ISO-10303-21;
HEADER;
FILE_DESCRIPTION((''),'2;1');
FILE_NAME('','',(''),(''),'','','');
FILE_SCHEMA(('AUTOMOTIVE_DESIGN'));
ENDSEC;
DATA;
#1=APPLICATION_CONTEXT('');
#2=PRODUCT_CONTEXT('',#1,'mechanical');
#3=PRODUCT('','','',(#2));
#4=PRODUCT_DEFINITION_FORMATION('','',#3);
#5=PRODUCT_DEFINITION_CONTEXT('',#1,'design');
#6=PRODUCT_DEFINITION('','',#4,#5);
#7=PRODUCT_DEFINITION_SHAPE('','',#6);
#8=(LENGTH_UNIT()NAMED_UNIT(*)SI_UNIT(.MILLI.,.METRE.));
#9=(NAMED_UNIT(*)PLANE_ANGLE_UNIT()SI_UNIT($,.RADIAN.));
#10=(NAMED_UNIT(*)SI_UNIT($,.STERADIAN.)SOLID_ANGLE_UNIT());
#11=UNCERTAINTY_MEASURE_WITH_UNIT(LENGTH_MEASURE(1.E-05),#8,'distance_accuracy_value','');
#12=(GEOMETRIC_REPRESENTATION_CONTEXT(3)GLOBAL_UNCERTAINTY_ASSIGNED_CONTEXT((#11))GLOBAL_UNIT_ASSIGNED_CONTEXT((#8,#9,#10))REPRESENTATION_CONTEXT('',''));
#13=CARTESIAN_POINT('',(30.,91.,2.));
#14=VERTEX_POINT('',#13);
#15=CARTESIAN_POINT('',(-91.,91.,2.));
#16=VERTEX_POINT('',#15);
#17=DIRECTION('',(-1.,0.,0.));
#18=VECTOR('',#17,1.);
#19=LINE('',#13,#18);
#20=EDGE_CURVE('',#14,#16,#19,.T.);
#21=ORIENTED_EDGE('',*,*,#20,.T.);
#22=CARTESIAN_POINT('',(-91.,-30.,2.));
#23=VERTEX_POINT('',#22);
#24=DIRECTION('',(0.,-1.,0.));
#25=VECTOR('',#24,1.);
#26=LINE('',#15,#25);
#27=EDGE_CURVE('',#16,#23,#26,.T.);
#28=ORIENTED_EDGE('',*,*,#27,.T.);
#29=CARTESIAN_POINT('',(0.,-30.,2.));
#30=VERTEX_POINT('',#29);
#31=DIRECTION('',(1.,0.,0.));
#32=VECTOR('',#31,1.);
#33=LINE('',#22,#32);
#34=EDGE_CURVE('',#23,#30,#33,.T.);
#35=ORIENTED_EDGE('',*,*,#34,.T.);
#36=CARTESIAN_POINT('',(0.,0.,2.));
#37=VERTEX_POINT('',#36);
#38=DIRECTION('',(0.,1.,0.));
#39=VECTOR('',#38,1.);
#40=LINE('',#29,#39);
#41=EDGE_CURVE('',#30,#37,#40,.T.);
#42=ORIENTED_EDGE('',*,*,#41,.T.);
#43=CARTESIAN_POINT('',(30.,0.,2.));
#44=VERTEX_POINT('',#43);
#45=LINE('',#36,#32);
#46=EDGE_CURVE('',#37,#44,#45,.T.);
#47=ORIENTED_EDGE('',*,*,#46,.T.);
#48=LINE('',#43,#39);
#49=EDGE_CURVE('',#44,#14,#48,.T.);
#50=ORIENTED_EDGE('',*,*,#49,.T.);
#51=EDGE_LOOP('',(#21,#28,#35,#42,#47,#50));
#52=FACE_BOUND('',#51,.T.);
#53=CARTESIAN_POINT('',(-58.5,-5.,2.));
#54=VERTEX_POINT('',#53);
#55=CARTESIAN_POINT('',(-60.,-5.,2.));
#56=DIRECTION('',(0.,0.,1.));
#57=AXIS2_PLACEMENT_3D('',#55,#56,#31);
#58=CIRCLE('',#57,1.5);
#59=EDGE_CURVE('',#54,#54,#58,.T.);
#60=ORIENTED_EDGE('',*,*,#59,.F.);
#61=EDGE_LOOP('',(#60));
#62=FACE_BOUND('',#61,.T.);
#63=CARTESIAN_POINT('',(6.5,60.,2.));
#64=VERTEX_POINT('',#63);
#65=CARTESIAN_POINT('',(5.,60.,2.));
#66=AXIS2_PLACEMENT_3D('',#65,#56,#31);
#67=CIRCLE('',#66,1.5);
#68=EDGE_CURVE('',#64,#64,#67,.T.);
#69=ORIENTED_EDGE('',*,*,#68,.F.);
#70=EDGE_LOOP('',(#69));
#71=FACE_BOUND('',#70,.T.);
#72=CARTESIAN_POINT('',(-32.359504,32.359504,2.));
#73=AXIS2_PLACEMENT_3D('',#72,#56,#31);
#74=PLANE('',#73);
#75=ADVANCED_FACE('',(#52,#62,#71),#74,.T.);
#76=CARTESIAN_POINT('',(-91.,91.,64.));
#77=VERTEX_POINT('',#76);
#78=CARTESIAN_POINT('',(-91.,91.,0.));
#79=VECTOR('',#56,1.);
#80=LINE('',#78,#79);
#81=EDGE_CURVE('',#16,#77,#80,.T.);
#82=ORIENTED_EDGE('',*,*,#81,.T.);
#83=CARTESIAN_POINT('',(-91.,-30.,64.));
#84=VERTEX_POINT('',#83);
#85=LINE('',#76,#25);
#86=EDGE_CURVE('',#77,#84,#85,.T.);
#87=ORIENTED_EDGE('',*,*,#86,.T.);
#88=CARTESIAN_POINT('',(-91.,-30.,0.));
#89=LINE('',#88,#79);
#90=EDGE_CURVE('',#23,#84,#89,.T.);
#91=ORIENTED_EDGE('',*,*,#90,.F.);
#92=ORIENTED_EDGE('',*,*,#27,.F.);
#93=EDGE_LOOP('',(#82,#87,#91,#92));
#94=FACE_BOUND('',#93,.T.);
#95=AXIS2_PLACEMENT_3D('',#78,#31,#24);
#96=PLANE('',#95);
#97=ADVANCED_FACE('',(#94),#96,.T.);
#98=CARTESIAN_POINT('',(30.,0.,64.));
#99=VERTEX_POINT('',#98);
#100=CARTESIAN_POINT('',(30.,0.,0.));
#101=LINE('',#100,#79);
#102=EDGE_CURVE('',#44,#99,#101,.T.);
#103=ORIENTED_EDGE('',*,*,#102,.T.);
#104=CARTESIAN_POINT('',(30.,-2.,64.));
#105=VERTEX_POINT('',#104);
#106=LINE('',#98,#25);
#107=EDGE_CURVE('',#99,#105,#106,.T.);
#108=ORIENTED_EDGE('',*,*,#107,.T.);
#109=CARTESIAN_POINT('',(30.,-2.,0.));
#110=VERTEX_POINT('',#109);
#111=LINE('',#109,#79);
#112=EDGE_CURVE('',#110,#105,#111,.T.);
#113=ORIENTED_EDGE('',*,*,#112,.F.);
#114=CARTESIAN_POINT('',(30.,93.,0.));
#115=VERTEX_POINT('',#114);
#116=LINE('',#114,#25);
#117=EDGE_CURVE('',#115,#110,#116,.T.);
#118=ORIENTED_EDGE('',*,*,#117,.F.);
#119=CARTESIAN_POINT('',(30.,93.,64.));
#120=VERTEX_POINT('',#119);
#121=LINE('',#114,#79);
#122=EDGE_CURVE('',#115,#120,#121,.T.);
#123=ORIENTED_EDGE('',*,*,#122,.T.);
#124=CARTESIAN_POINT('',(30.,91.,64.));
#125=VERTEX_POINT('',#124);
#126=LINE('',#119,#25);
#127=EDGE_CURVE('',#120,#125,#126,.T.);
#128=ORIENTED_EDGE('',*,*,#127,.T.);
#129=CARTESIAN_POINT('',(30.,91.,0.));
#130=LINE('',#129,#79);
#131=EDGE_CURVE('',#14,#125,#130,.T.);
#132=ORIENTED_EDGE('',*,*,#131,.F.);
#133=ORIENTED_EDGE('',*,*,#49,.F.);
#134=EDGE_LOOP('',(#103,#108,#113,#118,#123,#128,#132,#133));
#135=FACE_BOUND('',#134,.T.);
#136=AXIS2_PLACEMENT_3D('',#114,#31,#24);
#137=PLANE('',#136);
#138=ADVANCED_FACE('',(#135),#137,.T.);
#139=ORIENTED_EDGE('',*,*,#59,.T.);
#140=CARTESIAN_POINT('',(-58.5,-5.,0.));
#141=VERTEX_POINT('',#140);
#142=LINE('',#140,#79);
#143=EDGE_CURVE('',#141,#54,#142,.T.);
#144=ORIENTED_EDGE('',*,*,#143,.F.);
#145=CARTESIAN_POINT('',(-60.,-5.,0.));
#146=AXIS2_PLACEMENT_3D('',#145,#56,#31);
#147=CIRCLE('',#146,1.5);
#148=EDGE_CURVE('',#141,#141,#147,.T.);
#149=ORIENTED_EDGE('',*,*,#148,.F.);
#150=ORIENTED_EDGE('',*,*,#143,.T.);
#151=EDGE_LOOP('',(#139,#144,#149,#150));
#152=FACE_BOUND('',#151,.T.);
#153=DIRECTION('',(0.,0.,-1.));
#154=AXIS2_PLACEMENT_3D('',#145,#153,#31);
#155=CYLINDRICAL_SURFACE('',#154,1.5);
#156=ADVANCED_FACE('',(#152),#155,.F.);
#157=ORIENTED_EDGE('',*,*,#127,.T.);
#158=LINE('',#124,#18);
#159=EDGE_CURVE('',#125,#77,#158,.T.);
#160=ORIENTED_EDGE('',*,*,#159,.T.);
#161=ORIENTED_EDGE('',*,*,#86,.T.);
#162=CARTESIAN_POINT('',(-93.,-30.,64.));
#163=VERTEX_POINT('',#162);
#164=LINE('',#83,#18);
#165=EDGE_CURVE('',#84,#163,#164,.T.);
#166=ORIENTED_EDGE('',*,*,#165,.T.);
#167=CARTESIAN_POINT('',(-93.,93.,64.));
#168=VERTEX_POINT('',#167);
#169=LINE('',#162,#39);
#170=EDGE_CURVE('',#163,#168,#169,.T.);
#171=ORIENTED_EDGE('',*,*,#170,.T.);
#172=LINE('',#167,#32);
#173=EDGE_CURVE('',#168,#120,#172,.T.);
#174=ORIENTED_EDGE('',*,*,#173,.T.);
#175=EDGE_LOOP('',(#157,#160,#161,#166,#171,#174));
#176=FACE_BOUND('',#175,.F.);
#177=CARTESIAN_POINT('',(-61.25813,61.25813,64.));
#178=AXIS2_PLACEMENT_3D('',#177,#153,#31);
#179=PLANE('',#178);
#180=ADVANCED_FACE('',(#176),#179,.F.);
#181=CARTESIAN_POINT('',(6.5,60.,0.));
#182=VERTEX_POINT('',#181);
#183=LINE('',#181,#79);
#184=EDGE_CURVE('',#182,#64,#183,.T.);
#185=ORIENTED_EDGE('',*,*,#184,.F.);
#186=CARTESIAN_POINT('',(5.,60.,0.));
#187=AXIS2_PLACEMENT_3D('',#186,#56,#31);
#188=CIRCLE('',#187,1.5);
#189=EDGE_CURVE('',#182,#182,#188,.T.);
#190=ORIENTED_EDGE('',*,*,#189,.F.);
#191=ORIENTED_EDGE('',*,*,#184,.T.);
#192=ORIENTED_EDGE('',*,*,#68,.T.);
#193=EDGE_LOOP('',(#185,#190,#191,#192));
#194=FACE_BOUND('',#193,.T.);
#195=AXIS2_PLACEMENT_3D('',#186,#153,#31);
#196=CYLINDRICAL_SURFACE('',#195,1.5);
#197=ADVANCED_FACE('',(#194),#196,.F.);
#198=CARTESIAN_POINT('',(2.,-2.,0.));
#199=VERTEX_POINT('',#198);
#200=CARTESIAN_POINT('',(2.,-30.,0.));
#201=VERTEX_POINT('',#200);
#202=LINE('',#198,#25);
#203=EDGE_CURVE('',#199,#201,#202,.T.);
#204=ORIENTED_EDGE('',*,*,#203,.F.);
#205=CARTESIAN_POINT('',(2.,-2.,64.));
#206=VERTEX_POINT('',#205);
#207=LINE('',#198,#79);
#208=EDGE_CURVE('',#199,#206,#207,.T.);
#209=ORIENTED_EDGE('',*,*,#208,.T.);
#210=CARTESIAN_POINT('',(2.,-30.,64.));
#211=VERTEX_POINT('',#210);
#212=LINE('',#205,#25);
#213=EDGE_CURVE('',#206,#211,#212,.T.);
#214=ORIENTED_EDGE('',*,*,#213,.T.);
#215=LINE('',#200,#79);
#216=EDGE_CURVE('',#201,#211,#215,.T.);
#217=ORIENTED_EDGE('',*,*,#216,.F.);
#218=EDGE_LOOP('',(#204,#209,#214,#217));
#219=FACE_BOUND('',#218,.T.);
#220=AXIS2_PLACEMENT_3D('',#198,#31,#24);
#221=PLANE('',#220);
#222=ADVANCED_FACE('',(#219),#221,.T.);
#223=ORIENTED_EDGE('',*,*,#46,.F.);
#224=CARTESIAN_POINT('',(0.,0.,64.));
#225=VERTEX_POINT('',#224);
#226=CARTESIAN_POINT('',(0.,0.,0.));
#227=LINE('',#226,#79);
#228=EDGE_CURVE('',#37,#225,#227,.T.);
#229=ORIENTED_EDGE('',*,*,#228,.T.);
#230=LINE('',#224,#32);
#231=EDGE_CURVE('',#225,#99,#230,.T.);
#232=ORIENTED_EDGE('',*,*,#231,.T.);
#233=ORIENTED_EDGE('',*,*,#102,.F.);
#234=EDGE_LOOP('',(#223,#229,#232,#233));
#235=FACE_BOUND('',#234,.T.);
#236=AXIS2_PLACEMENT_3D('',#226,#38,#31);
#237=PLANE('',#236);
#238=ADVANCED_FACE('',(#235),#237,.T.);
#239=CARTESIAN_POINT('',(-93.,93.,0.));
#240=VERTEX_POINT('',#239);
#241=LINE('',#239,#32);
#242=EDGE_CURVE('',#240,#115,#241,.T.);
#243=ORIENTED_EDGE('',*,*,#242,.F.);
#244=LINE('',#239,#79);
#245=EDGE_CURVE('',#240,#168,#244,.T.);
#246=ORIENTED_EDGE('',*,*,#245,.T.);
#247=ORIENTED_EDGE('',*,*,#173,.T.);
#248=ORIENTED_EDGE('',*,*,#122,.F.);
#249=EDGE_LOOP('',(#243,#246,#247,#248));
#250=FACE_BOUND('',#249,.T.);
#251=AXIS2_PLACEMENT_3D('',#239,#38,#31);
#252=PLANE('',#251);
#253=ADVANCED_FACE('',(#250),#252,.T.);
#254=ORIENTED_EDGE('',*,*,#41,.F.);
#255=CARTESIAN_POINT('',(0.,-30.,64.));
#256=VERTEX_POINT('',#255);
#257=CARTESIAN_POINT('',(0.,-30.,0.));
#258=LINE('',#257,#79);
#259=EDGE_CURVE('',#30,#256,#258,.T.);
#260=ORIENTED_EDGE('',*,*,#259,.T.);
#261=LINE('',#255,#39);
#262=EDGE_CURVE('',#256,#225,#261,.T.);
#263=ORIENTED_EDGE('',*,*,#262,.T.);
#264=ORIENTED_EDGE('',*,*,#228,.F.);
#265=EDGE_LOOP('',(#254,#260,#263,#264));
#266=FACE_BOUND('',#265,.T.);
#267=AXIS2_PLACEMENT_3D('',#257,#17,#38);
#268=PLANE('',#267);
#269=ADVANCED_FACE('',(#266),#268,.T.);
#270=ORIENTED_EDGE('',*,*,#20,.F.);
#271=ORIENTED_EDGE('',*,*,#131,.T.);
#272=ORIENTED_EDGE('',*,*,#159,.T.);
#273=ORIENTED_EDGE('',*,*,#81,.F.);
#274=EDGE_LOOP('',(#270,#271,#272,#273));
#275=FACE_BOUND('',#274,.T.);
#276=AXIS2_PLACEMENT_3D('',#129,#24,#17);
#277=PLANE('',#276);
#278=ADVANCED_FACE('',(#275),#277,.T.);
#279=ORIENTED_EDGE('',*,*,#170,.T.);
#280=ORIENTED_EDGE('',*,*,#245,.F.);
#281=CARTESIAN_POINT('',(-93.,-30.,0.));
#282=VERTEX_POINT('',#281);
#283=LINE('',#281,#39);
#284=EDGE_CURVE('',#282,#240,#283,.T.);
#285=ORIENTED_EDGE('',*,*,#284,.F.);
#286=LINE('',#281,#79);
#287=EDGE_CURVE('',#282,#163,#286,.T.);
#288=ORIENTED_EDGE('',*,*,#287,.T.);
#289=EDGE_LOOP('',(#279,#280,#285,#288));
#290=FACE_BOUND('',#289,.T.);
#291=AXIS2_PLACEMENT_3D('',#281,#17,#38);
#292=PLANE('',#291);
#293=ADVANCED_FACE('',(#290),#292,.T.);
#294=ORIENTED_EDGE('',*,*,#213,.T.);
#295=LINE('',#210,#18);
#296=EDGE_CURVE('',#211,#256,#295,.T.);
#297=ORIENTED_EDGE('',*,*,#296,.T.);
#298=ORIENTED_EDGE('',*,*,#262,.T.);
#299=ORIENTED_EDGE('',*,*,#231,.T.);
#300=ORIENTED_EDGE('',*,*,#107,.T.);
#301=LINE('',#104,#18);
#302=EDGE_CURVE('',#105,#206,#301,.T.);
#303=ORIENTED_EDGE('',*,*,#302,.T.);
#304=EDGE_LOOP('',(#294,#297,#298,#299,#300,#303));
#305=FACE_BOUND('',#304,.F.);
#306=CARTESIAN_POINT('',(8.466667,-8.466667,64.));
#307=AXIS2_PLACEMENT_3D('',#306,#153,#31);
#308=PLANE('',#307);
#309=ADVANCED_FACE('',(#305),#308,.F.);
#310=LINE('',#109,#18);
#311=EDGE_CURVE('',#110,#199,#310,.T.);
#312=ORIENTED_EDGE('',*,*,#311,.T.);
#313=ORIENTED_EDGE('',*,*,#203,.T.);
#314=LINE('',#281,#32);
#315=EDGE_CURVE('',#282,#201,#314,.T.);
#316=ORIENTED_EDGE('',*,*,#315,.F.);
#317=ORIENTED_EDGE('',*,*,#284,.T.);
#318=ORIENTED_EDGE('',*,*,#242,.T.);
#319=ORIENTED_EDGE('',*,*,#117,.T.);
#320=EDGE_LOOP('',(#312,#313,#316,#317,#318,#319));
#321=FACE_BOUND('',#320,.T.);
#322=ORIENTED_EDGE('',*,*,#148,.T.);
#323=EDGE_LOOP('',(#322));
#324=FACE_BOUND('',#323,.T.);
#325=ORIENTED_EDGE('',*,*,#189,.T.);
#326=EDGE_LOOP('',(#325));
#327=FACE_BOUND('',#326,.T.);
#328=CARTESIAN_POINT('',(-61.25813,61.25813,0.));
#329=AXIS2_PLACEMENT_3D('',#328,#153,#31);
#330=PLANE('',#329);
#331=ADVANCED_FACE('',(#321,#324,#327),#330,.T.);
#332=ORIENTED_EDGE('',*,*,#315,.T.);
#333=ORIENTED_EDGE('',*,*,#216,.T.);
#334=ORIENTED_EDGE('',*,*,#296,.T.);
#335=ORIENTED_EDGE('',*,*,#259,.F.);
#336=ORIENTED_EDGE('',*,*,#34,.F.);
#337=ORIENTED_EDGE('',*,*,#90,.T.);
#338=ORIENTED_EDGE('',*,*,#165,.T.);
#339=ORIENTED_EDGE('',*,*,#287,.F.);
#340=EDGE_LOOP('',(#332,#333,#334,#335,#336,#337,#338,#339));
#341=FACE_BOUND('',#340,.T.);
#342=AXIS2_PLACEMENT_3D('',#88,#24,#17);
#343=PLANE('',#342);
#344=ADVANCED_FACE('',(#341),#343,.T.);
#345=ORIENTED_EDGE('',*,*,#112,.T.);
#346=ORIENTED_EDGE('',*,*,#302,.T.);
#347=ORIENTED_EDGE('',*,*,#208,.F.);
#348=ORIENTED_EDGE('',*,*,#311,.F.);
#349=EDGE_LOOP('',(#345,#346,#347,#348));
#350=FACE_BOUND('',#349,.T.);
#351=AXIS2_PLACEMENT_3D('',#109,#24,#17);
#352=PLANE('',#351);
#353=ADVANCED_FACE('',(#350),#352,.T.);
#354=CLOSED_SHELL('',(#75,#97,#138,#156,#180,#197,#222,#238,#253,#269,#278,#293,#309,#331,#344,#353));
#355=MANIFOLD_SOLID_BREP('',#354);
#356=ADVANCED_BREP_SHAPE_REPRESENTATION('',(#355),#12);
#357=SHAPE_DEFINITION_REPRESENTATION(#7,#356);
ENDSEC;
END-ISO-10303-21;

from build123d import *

# Parameters (mm, degrees)
SKETCH_R     = 1.5
PAD_DEPTH    = 2
PAD001_DEPTH = 64


with BuildPart() as part:
    # Sketch → Pad (new body)
    with BuildSketch(Plane.XY):
        Polygon((0, 0), (30, 0), (30, 91), (-91, 91), (-91, -30), (0, -30), align=None)
        with Locations((-60, -5)):
            Circle(SKETCH_R, mode=Mode.SUBTRACT)
        with Locations((5, 60)):
            Circle(SKETCH_R, mode=Mode.SUBTRACT)
    extrude(amount=PAD_DEPTH)

    # Sketch001 (on Face9 of Pad) → Pad001 (join)
    with BuildSketch(Plane(origin=(0, 0, 0), x_dir=(1, 0, 0), z_dir=(0, 0, -1))):
        Polygon((-91, 30), (-93, 30), (-93, -93), (-91, -93), (30, -93), (30, -91), (-91, -91), align=None)
        Polygon((0, 30), (0, 0), (30, 0), (30, 2), (2, 2), (2, 30), align=None)
    extrude(amount=-PAD001_DEPTH)


solid = part.part
